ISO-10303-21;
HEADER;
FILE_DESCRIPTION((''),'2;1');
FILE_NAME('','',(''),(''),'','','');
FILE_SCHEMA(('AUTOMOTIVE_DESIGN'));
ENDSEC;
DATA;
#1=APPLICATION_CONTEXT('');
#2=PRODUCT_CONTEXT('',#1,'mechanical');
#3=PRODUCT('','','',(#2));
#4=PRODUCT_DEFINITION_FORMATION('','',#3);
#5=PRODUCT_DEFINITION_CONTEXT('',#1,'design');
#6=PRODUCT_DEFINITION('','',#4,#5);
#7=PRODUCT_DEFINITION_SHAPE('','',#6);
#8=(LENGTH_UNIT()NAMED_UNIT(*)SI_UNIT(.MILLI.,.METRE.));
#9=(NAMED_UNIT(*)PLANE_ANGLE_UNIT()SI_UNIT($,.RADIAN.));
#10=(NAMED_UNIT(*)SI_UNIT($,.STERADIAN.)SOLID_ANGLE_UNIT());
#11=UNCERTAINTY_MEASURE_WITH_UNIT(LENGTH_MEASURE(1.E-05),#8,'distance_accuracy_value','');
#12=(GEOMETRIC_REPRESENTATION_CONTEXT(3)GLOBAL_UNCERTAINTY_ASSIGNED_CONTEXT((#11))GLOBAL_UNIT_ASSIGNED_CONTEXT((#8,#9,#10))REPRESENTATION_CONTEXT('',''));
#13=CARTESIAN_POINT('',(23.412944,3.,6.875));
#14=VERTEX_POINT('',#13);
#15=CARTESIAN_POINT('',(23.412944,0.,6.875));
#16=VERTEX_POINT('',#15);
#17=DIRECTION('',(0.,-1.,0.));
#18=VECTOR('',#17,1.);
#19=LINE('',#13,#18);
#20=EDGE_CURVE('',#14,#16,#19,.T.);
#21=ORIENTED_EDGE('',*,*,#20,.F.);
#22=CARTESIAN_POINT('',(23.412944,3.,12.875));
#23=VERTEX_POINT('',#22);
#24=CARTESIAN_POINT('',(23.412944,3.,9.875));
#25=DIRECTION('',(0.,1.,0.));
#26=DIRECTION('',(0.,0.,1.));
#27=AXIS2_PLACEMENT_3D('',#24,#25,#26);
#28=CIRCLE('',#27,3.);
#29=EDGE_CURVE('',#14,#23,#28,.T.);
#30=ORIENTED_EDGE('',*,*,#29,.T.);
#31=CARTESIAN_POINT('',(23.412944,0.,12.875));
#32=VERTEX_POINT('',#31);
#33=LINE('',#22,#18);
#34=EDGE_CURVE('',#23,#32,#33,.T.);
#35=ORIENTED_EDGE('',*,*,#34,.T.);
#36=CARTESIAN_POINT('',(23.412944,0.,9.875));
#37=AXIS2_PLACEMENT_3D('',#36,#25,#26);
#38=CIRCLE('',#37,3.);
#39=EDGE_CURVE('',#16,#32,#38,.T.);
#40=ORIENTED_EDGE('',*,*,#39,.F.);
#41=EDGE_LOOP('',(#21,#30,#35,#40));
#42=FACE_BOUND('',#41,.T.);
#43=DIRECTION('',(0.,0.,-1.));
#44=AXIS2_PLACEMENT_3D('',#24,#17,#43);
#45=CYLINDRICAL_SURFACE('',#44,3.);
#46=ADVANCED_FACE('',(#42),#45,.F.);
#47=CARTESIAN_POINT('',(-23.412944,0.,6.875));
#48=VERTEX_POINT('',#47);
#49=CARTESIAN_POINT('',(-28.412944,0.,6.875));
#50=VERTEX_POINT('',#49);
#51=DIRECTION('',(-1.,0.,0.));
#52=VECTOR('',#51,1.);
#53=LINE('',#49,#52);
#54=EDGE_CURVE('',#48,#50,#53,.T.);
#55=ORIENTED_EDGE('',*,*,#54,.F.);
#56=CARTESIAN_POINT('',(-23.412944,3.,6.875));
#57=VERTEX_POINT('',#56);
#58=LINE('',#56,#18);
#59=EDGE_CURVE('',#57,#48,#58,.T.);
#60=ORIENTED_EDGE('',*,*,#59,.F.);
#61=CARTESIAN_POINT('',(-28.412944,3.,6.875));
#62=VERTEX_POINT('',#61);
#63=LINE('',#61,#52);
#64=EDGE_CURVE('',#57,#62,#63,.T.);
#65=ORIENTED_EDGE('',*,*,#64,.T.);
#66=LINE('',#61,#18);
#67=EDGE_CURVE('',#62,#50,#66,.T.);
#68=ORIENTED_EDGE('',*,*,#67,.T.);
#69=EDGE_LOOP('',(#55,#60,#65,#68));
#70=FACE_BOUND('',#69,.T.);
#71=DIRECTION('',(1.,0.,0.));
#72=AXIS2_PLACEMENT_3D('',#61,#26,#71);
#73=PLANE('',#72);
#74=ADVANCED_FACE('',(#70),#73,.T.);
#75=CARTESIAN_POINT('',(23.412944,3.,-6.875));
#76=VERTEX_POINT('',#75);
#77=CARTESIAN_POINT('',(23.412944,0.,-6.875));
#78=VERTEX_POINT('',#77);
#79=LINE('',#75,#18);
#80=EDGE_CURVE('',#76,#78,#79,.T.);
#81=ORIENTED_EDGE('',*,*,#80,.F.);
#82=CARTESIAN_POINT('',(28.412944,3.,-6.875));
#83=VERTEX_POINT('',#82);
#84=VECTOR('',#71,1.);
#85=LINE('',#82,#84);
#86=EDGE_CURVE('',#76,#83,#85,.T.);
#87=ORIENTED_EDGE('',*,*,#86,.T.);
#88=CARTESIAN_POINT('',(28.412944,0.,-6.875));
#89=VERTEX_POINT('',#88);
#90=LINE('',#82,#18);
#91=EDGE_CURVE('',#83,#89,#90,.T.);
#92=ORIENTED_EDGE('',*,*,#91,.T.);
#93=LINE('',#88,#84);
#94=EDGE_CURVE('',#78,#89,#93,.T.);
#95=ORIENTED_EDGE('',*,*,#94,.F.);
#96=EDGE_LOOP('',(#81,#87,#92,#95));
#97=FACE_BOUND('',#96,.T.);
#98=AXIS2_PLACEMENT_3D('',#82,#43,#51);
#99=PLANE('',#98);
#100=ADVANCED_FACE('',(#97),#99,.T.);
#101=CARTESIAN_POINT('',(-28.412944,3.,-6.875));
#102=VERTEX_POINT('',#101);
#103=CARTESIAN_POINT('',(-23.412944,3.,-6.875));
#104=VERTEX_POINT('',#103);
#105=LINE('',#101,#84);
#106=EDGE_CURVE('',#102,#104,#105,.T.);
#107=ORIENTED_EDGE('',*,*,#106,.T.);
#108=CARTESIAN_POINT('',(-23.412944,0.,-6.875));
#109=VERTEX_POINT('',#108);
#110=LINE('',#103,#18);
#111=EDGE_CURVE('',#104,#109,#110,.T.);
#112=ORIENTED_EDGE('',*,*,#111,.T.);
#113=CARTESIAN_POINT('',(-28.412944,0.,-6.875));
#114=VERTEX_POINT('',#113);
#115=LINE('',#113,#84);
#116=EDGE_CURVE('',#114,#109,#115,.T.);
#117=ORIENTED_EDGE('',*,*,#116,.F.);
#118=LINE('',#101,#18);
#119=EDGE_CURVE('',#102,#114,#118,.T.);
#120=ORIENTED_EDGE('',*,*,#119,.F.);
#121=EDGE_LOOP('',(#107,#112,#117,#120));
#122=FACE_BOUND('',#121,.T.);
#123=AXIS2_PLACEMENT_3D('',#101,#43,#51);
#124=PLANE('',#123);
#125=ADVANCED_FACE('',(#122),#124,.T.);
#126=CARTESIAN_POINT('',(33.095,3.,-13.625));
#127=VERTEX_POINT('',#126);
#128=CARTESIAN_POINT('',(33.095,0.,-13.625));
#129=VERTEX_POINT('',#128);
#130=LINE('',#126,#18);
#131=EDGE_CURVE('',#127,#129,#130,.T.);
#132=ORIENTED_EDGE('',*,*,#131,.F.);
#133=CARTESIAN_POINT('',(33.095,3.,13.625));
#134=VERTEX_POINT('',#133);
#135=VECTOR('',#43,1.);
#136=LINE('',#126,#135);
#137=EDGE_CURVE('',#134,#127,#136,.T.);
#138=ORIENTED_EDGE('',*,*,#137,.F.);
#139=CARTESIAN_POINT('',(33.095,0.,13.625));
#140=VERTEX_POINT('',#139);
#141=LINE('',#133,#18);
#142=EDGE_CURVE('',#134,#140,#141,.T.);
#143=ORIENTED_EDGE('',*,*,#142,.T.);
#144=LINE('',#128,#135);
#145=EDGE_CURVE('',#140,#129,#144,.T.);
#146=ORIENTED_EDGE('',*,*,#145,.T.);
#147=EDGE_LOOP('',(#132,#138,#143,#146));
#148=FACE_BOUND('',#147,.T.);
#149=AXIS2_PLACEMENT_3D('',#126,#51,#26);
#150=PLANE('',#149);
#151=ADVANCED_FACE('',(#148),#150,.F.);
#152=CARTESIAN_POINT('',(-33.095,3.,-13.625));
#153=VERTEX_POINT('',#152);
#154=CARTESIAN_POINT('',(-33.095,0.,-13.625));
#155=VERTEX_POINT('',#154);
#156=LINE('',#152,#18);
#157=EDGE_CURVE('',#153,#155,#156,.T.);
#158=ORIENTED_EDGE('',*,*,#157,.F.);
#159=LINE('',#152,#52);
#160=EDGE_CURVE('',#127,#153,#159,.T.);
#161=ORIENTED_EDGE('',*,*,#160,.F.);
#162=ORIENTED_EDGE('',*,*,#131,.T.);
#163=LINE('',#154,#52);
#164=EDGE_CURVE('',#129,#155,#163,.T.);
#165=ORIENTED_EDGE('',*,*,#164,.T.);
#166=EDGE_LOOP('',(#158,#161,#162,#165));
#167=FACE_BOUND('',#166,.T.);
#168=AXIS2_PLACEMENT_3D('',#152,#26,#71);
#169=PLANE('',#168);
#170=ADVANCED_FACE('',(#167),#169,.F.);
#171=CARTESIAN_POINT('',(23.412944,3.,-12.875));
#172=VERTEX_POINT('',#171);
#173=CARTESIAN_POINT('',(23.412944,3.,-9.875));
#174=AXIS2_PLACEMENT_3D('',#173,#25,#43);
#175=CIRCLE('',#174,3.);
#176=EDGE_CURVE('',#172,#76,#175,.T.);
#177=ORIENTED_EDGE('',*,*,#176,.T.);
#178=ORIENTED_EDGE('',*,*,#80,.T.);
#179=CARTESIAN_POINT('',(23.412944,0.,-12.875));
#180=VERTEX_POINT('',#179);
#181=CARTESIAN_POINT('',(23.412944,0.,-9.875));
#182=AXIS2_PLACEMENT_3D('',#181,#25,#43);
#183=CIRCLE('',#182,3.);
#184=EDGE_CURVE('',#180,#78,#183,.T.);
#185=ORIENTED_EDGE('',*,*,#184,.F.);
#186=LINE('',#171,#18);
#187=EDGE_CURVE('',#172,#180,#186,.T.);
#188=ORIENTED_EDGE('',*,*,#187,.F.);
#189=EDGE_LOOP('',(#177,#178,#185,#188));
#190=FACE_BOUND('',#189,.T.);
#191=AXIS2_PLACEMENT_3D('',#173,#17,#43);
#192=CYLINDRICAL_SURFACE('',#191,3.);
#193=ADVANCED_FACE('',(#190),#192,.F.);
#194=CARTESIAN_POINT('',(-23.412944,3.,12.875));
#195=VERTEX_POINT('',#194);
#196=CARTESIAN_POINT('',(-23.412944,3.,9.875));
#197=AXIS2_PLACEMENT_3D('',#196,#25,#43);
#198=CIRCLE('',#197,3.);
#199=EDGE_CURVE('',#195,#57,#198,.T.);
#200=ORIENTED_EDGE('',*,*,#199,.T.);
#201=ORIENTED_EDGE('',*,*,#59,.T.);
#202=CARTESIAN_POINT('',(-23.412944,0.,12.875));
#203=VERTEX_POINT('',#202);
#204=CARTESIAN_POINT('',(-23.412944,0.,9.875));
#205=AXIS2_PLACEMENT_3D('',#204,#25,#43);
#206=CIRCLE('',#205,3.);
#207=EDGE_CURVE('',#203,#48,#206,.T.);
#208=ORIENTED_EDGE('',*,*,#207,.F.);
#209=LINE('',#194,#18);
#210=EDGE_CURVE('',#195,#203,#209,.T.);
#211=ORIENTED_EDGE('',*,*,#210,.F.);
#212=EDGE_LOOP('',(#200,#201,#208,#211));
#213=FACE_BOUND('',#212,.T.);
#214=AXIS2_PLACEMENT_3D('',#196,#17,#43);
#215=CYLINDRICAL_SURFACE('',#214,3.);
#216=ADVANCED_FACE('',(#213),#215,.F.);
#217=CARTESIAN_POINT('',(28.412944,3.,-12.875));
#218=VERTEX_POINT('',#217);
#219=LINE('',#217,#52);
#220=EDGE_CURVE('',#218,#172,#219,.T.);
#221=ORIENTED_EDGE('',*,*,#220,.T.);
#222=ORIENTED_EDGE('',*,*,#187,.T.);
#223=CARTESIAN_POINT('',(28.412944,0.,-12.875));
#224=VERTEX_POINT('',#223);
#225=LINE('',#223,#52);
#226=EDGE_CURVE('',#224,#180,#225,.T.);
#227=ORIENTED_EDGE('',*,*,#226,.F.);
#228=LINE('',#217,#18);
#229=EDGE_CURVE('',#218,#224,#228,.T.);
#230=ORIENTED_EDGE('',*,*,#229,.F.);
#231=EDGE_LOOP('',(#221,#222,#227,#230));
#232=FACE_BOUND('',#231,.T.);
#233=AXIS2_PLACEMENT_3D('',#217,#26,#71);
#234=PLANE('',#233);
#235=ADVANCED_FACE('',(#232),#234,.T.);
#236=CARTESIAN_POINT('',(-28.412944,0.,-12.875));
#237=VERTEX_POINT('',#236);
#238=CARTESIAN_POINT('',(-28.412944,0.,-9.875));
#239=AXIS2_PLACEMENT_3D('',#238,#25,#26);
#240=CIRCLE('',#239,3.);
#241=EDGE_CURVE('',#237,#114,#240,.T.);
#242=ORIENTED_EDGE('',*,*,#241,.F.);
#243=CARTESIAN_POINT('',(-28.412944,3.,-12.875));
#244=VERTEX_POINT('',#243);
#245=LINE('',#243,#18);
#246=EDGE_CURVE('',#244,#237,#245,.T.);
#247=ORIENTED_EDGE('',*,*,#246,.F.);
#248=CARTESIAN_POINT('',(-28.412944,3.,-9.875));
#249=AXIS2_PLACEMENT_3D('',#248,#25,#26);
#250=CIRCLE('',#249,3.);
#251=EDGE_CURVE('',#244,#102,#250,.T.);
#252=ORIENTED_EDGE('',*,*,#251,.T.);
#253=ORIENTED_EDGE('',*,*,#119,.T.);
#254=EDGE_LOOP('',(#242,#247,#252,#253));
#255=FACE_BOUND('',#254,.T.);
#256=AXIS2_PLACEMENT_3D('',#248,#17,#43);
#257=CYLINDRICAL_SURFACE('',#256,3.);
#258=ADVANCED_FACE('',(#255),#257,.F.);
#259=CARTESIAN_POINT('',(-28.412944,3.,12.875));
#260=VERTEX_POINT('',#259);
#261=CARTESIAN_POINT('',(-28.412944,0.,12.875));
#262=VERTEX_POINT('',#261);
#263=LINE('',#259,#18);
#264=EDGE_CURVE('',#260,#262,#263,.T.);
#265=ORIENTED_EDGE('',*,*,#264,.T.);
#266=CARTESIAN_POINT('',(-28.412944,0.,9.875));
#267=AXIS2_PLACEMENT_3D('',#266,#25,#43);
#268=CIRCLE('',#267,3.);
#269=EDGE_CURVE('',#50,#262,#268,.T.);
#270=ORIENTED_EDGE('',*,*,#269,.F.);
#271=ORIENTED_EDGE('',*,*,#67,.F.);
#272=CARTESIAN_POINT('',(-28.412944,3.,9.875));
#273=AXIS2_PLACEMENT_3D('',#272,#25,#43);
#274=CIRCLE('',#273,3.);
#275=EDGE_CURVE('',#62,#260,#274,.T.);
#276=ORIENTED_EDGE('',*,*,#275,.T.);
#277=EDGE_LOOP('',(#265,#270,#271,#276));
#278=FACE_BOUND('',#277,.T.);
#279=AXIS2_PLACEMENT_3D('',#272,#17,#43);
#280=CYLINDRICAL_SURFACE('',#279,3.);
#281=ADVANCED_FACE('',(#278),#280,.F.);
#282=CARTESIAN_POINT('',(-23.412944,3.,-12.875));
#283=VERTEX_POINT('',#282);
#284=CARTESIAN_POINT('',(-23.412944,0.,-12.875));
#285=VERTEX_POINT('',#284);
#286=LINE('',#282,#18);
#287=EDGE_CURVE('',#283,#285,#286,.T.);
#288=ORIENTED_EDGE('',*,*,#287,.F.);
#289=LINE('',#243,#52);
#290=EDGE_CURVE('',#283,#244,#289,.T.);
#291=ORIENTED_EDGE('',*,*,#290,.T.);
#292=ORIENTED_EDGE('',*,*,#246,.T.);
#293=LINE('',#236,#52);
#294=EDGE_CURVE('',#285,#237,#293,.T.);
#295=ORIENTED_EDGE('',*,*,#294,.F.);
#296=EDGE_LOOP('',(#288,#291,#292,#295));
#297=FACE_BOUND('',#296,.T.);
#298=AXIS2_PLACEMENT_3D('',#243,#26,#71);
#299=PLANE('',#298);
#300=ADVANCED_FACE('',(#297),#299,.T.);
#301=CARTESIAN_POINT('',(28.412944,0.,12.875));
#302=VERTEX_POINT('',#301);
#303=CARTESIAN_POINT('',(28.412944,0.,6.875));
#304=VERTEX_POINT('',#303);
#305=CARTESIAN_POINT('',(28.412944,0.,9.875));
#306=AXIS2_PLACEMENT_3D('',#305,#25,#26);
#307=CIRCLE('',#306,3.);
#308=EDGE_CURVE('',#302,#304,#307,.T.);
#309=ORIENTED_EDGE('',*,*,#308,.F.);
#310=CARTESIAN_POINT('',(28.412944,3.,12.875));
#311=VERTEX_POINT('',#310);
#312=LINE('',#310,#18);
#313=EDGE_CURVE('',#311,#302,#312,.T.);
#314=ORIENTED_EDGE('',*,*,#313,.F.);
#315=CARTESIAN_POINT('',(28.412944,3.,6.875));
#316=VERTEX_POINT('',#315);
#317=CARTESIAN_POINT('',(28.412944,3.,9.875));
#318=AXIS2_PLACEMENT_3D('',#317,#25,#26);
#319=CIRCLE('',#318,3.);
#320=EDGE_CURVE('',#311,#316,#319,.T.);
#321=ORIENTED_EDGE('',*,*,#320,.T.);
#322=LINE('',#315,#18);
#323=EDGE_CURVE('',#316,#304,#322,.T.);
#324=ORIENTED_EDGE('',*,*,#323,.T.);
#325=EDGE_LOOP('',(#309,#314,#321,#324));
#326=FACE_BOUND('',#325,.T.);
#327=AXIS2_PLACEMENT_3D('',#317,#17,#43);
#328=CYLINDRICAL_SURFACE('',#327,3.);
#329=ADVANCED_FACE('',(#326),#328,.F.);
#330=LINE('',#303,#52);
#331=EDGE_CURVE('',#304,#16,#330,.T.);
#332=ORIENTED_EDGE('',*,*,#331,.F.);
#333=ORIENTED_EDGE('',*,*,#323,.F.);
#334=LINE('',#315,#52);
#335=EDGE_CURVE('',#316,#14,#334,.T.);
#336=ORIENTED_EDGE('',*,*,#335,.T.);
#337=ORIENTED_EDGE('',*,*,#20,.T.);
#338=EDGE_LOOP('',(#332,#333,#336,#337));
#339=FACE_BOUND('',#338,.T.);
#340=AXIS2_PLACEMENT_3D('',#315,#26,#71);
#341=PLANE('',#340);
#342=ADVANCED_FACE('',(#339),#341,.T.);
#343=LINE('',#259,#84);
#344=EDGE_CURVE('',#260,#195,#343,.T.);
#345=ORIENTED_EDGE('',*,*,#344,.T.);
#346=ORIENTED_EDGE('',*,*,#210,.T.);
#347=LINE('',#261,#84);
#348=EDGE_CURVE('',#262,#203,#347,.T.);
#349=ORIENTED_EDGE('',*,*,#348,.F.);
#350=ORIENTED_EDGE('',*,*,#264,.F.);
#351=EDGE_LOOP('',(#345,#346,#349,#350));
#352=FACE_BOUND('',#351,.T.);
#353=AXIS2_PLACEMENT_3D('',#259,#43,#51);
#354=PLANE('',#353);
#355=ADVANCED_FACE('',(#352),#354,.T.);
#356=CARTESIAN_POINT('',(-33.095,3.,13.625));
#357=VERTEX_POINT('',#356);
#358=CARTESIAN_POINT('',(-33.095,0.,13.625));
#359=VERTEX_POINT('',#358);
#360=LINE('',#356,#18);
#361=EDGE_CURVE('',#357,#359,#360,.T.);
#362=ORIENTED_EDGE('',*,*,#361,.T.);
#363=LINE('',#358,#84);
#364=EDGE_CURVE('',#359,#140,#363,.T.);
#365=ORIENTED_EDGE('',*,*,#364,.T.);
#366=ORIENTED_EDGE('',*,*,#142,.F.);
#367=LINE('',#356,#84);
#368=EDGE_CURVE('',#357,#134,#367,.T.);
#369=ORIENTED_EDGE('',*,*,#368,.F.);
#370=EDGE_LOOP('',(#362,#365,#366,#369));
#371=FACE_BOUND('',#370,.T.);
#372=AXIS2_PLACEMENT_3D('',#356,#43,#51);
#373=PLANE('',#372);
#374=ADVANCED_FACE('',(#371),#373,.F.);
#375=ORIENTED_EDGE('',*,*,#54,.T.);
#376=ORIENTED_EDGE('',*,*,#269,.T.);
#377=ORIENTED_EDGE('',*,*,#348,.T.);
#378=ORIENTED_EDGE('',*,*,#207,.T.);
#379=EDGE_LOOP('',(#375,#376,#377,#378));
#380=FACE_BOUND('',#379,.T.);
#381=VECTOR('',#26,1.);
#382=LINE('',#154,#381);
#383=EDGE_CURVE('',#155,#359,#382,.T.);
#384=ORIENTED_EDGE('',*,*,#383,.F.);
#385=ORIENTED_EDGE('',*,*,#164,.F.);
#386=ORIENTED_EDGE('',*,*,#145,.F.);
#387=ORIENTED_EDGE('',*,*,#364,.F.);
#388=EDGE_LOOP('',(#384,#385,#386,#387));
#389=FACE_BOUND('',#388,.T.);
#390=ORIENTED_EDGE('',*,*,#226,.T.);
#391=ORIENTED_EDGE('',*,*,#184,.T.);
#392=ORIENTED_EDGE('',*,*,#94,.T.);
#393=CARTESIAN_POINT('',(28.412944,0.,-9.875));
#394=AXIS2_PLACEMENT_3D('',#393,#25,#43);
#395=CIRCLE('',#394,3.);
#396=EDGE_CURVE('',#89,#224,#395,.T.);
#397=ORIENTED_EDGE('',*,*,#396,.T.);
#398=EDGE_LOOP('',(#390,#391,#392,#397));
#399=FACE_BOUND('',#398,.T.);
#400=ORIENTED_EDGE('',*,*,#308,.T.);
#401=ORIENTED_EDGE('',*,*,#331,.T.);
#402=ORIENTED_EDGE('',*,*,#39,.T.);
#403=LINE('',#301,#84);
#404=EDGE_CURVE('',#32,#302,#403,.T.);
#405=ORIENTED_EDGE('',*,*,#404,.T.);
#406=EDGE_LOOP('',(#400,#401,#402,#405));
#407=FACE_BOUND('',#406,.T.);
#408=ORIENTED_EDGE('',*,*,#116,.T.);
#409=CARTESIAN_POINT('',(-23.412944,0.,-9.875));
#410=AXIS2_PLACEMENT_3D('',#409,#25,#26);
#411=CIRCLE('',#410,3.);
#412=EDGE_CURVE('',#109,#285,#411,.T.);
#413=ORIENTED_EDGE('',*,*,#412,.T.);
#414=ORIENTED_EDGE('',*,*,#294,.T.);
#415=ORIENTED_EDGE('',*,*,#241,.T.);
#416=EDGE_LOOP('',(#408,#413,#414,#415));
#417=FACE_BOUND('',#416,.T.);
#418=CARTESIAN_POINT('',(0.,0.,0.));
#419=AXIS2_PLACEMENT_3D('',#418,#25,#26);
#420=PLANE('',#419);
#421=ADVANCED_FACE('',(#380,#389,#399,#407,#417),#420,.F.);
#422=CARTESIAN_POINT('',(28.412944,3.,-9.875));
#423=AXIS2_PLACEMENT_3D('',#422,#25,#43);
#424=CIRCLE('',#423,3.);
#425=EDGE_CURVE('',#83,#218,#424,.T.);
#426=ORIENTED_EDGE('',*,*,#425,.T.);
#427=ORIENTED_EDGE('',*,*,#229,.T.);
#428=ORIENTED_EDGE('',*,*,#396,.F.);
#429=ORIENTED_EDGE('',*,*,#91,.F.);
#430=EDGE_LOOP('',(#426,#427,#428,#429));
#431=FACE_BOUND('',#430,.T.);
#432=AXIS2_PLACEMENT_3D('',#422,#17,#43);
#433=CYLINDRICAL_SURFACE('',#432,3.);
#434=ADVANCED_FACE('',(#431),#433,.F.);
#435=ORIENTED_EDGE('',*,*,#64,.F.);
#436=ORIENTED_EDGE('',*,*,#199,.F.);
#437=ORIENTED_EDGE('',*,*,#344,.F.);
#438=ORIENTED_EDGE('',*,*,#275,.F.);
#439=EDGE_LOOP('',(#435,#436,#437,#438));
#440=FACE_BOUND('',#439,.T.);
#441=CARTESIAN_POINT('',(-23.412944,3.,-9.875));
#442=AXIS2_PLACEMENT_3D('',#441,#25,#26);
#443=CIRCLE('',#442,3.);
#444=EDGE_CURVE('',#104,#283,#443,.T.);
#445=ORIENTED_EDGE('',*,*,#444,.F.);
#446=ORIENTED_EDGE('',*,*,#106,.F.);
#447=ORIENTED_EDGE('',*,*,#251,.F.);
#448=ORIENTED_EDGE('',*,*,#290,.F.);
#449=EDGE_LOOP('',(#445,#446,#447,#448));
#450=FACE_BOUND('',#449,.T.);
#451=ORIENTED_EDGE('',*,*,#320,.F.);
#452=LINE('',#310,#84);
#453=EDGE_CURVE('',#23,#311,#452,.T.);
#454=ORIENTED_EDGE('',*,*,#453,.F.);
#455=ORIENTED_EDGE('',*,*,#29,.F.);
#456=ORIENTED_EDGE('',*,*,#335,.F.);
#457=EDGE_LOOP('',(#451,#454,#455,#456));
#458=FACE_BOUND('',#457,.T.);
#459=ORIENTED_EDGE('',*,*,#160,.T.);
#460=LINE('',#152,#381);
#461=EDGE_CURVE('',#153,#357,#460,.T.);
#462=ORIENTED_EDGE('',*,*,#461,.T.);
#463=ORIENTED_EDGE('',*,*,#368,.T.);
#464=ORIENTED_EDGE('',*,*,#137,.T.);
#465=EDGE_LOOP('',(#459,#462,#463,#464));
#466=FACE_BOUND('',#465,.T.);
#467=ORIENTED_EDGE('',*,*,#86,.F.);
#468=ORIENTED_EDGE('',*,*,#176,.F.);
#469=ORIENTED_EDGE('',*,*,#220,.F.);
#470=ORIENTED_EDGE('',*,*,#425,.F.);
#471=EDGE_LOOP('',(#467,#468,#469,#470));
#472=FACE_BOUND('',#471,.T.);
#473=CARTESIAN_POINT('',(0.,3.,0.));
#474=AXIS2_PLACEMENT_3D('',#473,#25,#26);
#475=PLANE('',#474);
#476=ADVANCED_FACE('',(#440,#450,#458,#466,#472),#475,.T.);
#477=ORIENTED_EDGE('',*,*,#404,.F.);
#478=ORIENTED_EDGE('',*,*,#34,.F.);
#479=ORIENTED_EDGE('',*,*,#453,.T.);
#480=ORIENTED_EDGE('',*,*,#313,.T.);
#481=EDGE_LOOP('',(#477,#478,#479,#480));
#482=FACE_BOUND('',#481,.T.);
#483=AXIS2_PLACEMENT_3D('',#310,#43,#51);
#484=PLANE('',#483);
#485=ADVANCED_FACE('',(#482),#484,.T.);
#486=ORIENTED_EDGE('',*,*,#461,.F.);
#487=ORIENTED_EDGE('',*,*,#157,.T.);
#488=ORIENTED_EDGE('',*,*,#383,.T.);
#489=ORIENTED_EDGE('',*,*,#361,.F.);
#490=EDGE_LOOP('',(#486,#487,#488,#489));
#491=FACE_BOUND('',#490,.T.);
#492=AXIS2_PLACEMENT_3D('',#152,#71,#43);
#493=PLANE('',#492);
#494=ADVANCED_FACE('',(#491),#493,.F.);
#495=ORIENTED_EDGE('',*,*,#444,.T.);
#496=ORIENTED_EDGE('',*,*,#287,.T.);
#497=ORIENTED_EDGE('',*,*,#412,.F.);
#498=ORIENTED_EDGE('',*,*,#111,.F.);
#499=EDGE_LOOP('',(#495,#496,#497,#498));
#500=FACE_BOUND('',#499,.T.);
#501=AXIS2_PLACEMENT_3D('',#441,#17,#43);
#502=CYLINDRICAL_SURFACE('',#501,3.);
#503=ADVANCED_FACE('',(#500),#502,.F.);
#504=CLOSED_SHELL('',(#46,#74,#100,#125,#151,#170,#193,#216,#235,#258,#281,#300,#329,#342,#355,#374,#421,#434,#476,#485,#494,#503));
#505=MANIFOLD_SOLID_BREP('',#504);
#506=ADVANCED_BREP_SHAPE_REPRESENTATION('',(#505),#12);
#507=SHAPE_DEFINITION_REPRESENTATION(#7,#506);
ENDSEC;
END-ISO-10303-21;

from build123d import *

# Parameters (mm, degrees)
SKETCH_1_W      = 66.19
SKETCH_1_H      = 27.25
EXTRUDE_1_DEPTH = 3


with BuildPart() as part:
    # 草图1 → 凸台-拉伸1 (new body)
    with BuildSketch(Plane(origin=(0, 0, 0), x_dir=(1, 0, 0), z_dir=(0, 1, 0))):
        Rectangle(SKETCH_1_W, SKETCH_1_H)
        with BuildLine():
            Line((-28.41294438, 12.875), (-23.41294438, 12.875))
            ThreePointArc((-23.41294438, 12.875), (-20.41294438, 9.875), (-23.41294438, 6.875))
            Line((-23.41294438, 6.875), (-28.41294438, 6.875))
            ThreePointArc((-28.41294438, 6.875), (-31.41294438, 9.875), (-28.41294438, 12.875))
        make_face(mode=Mode.SUBTRACT)
        with BuildLine():
            Line((28.41294438, 12.875), (23.41294438, 12.875))
            ThreePointArc((23.41294438, 12.875), (20.41294438, 9.875), (23.41294438, 6.875))
            Line((23.41294438, 6.875), (28.41294438, 6.875))
            ThreePointArc((28.41294438, 6.875), (31.41294438, 9.875), (28.41294438, 12.875))
        make_face(mode=Mode.SUBTRACT)
        with BuildLine():
            Line((-28.41294438, -12.875), (-23.41294438, -12.875))
            ThreePointArc((-23.41294438, -12.875), (-20.41294438, -9.875), (-23.41294438, -6.875))
            Line((-23.41294438, -6.875), (-28.41294438, -6.875))
            ThreePointArc((-28.41294438, -6.875), (-31.41294438, -9.875), (-28.41294438, -12.875))
        make_face(mode=Mode.SUBTRACT)
        with BuildLine():
            Line((28.41294438, -12.875), (23.41294438, -12.875))
            ThreePointArc((23.41294438, -12.875), (20.41294438, -9.875), (23.41294438, -6.875))
            Line((23.41294438, -6.875), (28.41294438, -6.875))
            ThreePointArc((28.41294438, -6.875), (31.41294438, -9.875), (28.41294438, -12.875))
        make_face(mode=Mode.SUBTRACT)
    extrude(amount=EXTRUDE_1_DEPTH)


solid = part.part
